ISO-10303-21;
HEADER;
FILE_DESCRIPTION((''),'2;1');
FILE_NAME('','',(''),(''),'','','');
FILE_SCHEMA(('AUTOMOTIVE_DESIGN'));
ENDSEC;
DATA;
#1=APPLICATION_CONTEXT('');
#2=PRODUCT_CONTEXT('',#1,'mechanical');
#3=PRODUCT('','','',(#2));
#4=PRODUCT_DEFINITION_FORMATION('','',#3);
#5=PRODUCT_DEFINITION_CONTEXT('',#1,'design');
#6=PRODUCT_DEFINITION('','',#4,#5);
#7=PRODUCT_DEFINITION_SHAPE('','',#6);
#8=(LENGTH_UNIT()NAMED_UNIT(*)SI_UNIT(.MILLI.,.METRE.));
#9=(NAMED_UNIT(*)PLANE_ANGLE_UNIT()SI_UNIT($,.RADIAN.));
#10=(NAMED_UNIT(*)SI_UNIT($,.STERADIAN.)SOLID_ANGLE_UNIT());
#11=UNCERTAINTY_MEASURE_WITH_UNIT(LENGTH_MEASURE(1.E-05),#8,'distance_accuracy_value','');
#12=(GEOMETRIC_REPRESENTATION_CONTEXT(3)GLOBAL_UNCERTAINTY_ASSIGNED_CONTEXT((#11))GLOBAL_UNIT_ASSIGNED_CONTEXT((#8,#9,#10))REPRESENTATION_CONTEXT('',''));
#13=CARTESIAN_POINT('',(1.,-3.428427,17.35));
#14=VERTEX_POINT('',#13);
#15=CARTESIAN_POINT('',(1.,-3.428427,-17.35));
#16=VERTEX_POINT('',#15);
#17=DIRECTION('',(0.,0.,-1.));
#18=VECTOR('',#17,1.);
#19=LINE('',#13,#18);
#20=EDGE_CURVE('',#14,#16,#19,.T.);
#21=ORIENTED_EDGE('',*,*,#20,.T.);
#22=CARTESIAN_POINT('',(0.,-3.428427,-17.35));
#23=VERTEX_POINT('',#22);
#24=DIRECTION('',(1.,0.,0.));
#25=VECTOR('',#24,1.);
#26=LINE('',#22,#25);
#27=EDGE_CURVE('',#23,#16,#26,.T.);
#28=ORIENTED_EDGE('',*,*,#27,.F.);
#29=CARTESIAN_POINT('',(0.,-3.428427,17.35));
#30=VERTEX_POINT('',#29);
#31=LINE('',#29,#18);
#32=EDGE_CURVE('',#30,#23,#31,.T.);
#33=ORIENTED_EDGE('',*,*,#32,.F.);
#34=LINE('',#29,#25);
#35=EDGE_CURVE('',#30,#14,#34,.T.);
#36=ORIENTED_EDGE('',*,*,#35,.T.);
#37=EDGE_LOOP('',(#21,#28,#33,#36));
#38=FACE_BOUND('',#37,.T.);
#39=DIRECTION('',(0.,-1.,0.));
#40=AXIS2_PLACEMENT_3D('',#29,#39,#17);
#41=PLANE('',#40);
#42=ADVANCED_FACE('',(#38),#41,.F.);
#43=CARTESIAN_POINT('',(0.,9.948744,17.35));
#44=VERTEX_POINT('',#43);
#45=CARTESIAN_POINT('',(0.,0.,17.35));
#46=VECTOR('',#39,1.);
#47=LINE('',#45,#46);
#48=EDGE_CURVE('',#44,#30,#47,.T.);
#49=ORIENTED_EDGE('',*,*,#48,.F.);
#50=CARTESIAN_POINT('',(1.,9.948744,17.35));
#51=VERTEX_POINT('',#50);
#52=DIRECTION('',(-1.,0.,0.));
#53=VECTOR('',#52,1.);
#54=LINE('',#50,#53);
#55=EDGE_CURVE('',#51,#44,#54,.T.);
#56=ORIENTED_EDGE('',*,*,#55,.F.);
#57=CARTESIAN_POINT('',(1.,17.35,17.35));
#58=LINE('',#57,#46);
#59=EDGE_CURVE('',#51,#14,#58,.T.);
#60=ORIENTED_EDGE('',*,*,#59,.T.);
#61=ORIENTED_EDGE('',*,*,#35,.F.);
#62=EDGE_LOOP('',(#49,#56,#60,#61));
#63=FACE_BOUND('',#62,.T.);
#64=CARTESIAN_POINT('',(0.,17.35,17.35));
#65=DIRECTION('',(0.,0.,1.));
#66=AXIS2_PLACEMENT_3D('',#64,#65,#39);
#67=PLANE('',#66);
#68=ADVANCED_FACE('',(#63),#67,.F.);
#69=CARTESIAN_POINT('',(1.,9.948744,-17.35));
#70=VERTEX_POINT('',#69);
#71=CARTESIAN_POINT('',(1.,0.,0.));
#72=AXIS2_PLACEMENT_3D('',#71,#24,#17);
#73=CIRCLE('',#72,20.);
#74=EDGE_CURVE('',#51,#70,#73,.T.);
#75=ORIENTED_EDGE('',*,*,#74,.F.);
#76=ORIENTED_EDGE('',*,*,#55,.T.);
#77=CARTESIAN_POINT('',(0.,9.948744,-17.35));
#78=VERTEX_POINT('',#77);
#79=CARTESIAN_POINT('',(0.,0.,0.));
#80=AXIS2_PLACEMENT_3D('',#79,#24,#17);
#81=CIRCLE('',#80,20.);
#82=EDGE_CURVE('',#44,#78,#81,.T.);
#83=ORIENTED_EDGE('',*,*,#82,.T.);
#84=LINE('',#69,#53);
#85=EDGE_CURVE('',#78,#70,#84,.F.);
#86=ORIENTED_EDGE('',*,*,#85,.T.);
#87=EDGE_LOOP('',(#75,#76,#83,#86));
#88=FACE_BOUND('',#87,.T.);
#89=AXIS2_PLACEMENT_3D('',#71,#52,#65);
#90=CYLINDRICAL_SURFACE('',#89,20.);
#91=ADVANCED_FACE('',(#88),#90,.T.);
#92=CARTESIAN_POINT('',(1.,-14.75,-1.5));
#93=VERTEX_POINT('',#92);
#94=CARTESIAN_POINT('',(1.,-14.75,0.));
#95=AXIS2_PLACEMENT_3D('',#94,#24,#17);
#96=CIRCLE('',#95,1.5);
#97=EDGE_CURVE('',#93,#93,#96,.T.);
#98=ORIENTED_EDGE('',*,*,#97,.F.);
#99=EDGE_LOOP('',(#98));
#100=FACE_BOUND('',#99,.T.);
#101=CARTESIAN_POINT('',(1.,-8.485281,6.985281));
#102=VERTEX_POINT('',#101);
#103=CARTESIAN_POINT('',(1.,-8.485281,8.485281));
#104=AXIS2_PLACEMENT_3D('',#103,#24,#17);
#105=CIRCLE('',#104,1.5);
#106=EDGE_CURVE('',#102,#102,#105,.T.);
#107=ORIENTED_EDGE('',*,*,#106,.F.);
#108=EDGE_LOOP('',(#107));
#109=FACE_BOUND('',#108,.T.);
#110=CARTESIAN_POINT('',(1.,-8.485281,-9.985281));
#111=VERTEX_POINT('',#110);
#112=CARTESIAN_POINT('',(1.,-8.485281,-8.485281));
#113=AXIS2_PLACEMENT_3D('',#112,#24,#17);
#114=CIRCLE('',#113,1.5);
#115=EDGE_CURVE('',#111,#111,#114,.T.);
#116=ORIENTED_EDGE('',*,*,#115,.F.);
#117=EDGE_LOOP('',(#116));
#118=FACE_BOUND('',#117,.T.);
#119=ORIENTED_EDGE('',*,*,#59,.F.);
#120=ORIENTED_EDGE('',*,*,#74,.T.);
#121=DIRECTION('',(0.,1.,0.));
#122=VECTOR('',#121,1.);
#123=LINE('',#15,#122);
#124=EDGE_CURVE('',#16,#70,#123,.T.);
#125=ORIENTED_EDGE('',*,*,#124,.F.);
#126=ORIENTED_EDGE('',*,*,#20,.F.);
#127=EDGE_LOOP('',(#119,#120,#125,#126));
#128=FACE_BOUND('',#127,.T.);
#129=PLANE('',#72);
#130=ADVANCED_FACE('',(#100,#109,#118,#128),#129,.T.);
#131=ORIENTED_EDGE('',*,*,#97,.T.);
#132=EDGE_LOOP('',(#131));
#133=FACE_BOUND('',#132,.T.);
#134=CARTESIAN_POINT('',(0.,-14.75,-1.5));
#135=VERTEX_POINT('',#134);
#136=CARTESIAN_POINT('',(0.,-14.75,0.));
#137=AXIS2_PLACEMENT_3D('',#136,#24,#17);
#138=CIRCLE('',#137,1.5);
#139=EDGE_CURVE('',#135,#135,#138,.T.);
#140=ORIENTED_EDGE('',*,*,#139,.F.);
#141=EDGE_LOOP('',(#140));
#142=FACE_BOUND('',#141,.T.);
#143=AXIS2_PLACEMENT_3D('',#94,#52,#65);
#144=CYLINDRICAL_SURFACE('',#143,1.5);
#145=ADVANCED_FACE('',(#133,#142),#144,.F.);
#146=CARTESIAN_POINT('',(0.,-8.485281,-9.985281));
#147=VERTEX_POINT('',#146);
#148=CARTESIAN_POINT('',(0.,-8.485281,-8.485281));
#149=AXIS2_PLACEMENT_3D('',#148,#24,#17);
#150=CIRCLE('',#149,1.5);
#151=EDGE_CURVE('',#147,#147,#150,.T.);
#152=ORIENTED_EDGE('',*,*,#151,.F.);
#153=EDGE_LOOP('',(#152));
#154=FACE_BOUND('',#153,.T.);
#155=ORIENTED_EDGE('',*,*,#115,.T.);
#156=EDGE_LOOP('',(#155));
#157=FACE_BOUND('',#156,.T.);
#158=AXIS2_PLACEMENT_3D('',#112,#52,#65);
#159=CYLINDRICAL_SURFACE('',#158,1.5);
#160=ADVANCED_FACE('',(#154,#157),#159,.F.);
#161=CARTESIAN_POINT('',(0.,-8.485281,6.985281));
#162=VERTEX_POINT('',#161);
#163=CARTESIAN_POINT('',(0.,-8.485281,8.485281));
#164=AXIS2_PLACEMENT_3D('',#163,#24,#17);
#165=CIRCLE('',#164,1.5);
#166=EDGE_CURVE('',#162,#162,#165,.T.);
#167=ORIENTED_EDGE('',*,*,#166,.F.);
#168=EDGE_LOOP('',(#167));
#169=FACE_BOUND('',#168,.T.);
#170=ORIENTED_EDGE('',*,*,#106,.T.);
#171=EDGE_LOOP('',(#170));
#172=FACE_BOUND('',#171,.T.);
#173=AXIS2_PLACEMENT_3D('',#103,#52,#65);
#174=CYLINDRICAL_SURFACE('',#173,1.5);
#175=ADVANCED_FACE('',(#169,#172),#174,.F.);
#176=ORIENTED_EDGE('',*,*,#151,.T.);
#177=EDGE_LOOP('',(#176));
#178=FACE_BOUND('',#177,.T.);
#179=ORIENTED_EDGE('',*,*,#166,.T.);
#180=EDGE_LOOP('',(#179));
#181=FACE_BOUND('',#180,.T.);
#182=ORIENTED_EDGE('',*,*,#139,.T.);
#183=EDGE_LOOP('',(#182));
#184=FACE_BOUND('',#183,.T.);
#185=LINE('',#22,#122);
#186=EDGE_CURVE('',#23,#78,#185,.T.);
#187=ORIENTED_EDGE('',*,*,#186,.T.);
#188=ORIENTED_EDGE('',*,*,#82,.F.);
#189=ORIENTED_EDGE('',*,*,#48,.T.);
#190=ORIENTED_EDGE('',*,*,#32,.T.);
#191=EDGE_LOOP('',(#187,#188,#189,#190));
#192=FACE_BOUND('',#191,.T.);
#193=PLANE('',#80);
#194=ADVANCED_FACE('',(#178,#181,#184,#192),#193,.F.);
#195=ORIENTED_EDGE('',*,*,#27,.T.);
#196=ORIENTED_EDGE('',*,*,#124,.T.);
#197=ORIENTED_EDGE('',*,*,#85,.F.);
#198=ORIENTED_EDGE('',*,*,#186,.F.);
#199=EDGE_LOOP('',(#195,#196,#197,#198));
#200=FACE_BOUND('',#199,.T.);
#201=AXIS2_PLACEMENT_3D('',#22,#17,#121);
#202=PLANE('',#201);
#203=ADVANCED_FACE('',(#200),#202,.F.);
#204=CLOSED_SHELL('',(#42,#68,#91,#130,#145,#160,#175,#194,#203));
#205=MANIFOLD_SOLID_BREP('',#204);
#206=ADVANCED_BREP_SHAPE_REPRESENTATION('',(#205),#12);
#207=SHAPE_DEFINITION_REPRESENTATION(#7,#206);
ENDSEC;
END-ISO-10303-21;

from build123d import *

# Parameters (mm, degrees)
SKETCH1_R           = 20
SKETCH1_R_2         = 1.5
BOSS_EXTRUDE1_DEPTH = 1
SKETCH3_W           = 34.7
SKETCH3_H           = 20.778427125
CUT_EXTRUDE1_DEPTH  = 29.301943396


with BuildPart() as part:
    # Sketch1 → Boss-Extrude1 (new body)
    with BuildSketch(Plane(origin=(0, 0, 0), x_dir=(0, 0, -1), z_dir=(1, 0, 0))):
        Circle(SKETCH1_R)
        with Locations((0, 14.75)):
            Circle(SKETCH1_R_2, mode=Mode.SUBTRACT)
        with Locations((14.75, 0)):
            Circle(SKETCH1_R_2, mode=Mode.SUBTRACT)
        with Locations((0, -14.75)):
            Circle(SKETCH1_R_2, mode=Mode.SUBTRACT)
        with Locations((-14.75, 0)):
            Circle(SKETCH1_R_2, mode=Mode.SUBTRACT)
        with Locations((-8.485281374, 8.485281374)):
            Circle(SKETCH1_R_2, mode=Mode.SUBTRACT)
        with Locations((8.485281374, 8.485281374)):
            Circle(SKETCH1_R_2, mode=Mode.SUBTRACT)
        with Locations((8.485281374, -8.485281374)):
            Circle(SKETCH1_R_2, mode=Mode.SUBTRACT)
        with Locations((-8.485281374, -8.485281374)):
            Circle(SKETCH1_R_2, mode=Mode.SUBTRACT)
    extrude(amount=BOSS_EXTRUDE1_DEPTH)

    # Sketch3 → Cut-Extrude1 (cut, through all)
    with BuildSketch(Plane(origin=(1, 0, 0), x_dir=(0, 0, -1), z_dir=(1, 0, 0))):
        with Locations((0, 6.960786438)):
            Rectangle(SKETCH3_W, SKETCH3_H)
    extrude(amount=-CUT_EXTRUDE1_DEPTH, mode=Mode.SUBTRACT)


with BuildPart() as body_2:
    # of the pieces the cut leaves, the one that is kept (cut_extrude1_keep)
    add(part.part.solids().sort_by_distance((0, 9.948743639, 17.35))[0])


solid = body_2.part
